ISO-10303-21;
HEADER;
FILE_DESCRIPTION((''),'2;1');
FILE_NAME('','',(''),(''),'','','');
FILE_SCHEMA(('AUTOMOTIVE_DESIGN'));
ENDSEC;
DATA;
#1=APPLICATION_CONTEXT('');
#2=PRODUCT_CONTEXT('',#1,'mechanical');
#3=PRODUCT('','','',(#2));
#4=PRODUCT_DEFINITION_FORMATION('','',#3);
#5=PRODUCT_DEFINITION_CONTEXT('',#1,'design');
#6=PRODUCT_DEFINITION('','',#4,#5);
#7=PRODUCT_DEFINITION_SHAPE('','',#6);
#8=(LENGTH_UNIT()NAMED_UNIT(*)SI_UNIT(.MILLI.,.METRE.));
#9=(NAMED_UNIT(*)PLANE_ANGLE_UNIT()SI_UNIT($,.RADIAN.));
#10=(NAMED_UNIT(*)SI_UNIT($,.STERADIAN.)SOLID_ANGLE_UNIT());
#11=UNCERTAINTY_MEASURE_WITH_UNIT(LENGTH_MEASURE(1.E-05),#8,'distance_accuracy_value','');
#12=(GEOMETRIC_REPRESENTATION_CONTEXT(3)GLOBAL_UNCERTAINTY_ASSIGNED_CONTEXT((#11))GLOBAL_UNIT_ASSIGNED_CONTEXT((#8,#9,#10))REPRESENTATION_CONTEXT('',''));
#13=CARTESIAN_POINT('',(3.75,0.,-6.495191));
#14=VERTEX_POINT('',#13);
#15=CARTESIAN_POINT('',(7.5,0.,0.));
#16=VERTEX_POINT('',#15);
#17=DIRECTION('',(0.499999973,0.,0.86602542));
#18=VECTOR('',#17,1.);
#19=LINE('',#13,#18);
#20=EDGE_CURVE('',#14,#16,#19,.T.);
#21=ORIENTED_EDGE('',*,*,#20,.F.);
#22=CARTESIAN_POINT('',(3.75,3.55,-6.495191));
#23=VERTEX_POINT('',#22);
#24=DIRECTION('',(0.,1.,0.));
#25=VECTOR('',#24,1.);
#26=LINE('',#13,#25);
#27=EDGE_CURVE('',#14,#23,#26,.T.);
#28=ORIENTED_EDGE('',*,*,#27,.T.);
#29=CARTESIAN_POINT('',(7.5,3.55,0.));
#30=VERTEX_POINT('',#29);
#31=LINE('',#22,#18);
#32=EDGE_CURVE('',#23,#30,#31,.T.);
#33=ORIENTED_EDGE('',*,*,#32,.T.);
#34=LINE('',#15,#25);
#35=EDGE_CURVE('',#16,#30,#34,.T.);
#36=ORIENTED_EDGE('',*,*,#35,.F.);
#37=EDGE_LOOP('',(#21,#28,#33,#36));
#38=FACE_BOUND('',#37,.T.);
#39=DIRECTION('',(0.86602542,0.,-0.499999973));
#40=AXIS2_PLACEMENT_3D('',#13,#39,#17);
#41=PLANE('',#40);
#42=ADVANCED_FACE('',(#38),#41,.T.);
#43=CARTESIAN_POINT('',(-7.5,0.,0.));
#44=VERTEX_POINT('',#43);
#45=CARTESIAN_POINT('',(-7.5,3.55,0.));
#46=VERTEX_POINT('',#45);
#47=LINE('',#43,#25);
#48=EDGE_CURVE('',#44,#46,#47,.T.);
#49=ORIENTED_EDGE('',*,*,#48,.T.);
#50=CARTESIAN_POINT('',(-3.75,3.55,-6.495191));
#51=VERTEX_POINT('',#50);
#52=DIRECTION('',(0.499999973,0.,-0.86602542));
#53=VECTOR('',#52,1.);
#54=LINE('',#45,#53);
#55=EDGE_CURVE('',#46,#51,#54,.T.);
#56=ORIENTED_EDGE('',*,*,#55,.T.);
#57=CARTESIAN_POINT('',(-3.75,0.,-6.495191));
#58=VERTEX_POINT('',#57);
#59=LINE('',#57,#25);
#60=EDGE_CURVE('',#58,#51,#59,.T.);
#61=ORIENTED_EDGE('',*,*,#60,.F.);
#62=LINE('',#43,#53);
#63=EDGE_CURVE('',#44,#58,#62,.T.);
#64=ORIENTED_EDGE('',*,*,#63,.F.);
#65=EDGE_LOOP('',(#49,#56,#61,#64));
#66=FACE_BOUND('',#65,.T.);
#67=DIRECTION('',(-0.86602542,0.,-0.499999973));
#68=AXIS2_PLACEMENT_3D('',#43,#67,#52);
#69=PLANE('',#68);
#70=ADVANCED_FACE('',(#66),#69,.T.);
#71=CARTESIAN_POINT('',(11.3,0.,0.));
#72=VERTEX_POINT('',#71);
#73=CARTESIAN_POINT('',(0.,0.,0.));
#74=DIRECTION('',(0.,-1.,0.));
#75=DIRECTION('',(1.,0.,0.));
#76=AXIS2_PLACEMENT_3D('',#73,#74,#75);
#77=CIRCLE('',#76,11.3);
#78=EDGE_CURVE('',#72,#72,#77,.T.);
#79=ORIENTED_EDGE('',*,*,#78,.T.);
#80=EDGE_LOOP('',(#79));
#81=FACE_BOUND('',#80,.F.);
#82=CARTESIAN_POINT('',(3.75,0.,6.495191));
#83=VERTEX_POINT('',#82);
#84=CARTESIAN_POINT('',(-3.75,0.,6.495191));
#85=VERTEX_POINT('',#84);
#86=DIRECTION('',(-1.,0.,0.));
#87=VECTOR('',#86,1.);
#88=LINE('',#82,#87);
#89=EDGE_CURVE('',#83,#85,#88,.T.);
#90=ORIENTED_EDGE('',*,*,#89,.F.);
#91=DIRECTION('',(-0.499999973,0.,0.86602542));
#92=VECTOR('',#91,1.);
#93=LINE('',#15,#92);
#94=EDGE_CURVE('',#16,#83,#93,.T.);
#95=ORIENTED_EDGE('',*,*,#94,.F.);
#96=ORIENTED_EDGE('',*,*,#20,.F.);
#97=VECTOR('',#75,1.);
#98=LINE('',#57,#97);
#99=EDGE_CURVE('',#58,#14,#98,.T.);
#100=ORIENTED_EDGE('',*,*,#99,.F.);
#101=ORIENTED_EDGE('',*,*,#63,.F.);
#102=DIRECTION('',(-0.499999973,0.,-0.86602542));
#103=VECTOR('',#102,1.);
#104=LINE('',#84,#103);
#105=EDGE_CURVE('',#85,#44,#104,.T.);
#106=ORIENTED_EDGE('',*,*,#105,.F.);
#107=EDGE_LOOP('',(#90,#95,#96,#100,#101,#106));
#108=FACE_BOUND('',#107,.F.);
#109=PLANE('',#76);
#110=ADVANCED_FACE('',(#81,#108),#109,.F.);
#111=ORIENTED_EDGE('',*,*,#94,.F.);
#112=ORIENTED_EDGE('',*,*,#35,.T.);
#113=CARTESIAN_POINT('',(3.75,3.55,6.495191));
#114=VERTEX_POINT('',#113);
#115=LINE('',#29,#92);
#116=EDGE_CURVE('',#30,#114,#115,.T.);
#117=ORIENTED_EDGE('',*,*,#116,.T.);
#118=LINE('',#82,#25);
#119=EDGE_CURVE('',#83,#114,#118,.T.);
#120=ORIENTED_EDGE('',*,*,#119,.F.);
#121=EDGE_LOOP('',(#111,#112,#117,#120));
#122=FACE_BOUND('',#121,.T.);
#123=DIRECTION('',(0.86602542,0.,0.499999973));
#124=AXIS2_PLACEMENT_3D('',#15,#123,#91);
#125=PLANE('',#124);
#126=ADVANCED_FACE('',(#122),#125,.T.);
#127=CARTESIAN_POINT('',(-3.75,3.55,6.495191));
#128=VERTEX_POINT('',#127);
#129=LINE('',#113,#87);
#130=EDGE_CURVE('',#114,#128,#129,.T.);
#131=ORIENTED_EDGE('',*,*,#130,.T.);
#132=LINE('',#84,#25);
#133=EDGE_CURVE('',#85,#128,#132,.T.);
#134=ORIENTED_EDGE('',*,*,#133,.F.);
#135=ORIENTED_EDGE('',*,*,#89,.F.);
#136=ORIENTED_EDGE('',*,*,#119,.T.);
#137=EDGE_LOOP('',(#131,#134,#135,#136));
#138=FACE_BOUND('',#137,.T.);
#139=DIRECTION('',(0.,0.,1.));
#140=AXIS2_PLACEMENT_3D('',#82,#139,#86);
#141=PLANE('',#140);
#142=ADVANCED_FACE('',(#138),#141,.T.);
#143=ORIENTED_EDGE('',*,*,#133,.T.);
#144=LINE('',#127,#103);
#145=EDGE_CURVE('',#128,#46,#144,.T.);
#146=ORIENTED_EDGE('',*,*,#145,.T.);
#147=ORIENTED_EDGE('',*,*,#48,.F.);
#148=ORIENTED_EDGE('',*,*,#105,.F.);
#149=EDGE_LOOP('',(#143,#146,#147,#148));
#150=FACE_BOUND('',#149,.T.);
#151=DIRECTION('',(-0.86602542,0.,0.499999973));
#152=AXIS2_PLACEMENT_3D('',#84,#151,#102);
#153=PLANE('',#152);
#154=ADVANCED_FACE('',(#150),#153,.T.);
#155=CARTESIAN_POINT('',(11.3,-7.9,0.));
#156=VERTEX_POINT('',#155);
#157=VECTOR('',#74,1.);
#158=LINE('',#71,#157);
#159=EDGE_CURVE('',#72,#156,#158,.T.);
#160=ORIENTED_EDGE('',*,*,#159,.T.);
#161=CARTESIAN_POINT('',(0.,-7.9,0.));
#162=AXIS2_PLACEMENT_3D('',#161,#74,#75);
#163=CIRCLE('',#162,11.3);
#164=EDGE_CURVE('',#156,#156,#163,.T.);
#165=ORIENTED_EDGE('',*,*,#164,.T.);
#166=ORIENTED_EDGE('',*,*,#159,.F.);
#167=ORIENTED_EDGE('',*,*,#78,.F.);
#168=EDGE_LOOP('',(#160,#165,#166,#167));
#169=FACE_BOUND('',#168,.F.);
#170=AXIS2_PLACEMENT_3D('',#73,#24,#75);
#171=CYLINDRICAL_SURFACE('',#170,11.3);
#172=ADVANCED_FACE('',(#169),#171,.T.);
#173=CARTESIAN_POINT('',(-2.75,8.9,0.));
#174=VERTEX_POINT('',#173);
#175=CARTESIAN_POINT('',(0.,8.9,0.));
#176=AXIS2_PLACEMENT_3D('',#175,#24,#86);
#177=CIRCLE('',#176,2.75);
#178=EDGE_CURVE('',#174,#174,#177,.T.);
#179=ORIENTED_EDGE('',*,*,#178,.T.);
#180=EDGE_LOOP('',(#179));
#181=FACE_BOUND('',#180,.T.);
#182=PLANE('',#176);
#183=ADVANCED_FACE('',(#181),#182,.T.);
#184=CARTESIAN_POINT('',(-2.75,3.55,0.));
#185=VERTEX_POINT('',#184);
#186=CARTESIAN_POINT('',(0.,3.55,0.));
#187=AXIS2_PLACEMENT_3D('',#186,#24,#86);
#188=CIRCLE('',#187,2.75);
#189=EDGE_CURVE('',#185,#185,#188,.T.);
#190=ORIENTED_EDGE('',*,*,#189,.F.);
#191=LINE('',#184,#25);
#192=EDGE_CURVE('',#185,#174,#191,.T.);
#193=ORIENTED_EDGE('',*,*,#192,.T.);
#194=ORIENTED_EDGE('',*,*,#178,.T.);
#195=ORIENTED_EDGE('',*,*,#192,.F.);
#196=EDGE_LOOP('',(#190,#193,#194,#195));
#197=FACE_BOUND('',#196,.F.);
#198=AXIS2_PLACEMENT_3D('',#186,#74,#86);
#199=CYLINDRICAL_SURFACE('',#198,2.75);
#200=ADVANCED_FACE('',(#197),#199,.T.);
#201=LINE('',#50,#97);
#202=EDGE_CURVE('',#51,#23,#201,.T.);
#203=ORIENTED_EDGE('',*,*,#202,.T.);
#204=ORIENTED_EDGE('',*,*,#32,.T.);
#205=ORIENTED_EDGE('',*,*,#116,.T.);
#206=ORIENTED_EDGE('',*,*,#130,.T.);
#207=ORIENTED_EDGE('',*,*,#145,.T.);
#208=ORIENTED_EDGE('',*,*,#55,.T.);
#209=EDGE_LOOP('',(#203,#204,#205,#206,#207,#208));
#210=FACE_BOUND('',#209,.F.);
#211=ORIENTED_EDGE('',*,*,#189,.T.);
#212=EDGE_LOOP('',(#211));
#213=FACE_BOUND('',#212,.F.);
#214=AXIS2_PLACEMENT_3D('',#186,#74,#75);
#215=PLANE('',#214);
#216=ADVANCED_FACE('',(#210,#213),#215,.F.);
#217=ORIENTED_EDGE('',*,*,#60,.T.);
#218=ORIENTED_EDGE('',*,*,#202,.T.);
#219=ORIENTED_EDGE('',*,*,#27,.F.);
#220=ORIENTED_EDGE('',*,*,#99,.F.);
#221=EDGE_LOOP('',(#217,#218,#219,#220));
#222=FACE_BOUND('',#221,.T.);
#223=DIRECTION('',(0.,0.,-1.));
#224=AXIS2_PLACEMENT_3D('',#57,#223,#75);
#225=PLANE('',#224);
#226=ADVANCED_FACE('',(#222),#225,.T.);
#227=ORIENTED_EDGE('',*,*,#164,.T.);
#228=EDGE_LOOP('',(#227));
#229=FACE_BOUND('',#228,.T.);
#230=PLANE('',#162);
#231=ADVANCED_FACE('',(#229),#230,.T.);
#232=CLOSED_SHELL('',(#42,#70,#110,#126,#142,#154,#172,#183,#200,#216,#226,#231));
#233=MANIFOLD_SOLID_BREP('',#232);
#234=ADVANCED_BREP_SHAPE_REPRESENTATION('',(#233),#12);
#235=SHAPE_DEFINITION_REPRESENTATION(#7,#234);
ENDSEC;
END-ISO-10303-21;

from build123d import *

# Parameters (mm, degrees)
F0_R     = 11.3
F1_DEPTH = 7.9
F3_DEPTH = 3.55
F4_R     = 2.75
F5_DEPTH = 5.35


with BuildPart() as f1:
    # F0 (on Front) → F1 (new body)
    with BuildSketch(Plane.XZ):
        Circle(F0_R)
    extrude(amount=F1_DEPTH)

    # F2 (on Front) → F3 (join)
    with BuildSketch(Plane.XZ):
        Polygon((-3.75, 6.495191), (-7.5, 0), (-3.75, -6.495191), (3.75, -6.495191), (7.5, 0), (3.75, 6.495191), align=None)
    extrude(amount=-F3_DEPTH)

    # F4 (on face) → F5 (join)
    with BuildSketch(Plane(origin=(0, 3.55, 0), x_dir=(-1, 0, 0), z_dir=(0, 1, 0))):
        Circle(F4_R)
    extrude(amount=F5_DEPTH)


solid = f1.part
